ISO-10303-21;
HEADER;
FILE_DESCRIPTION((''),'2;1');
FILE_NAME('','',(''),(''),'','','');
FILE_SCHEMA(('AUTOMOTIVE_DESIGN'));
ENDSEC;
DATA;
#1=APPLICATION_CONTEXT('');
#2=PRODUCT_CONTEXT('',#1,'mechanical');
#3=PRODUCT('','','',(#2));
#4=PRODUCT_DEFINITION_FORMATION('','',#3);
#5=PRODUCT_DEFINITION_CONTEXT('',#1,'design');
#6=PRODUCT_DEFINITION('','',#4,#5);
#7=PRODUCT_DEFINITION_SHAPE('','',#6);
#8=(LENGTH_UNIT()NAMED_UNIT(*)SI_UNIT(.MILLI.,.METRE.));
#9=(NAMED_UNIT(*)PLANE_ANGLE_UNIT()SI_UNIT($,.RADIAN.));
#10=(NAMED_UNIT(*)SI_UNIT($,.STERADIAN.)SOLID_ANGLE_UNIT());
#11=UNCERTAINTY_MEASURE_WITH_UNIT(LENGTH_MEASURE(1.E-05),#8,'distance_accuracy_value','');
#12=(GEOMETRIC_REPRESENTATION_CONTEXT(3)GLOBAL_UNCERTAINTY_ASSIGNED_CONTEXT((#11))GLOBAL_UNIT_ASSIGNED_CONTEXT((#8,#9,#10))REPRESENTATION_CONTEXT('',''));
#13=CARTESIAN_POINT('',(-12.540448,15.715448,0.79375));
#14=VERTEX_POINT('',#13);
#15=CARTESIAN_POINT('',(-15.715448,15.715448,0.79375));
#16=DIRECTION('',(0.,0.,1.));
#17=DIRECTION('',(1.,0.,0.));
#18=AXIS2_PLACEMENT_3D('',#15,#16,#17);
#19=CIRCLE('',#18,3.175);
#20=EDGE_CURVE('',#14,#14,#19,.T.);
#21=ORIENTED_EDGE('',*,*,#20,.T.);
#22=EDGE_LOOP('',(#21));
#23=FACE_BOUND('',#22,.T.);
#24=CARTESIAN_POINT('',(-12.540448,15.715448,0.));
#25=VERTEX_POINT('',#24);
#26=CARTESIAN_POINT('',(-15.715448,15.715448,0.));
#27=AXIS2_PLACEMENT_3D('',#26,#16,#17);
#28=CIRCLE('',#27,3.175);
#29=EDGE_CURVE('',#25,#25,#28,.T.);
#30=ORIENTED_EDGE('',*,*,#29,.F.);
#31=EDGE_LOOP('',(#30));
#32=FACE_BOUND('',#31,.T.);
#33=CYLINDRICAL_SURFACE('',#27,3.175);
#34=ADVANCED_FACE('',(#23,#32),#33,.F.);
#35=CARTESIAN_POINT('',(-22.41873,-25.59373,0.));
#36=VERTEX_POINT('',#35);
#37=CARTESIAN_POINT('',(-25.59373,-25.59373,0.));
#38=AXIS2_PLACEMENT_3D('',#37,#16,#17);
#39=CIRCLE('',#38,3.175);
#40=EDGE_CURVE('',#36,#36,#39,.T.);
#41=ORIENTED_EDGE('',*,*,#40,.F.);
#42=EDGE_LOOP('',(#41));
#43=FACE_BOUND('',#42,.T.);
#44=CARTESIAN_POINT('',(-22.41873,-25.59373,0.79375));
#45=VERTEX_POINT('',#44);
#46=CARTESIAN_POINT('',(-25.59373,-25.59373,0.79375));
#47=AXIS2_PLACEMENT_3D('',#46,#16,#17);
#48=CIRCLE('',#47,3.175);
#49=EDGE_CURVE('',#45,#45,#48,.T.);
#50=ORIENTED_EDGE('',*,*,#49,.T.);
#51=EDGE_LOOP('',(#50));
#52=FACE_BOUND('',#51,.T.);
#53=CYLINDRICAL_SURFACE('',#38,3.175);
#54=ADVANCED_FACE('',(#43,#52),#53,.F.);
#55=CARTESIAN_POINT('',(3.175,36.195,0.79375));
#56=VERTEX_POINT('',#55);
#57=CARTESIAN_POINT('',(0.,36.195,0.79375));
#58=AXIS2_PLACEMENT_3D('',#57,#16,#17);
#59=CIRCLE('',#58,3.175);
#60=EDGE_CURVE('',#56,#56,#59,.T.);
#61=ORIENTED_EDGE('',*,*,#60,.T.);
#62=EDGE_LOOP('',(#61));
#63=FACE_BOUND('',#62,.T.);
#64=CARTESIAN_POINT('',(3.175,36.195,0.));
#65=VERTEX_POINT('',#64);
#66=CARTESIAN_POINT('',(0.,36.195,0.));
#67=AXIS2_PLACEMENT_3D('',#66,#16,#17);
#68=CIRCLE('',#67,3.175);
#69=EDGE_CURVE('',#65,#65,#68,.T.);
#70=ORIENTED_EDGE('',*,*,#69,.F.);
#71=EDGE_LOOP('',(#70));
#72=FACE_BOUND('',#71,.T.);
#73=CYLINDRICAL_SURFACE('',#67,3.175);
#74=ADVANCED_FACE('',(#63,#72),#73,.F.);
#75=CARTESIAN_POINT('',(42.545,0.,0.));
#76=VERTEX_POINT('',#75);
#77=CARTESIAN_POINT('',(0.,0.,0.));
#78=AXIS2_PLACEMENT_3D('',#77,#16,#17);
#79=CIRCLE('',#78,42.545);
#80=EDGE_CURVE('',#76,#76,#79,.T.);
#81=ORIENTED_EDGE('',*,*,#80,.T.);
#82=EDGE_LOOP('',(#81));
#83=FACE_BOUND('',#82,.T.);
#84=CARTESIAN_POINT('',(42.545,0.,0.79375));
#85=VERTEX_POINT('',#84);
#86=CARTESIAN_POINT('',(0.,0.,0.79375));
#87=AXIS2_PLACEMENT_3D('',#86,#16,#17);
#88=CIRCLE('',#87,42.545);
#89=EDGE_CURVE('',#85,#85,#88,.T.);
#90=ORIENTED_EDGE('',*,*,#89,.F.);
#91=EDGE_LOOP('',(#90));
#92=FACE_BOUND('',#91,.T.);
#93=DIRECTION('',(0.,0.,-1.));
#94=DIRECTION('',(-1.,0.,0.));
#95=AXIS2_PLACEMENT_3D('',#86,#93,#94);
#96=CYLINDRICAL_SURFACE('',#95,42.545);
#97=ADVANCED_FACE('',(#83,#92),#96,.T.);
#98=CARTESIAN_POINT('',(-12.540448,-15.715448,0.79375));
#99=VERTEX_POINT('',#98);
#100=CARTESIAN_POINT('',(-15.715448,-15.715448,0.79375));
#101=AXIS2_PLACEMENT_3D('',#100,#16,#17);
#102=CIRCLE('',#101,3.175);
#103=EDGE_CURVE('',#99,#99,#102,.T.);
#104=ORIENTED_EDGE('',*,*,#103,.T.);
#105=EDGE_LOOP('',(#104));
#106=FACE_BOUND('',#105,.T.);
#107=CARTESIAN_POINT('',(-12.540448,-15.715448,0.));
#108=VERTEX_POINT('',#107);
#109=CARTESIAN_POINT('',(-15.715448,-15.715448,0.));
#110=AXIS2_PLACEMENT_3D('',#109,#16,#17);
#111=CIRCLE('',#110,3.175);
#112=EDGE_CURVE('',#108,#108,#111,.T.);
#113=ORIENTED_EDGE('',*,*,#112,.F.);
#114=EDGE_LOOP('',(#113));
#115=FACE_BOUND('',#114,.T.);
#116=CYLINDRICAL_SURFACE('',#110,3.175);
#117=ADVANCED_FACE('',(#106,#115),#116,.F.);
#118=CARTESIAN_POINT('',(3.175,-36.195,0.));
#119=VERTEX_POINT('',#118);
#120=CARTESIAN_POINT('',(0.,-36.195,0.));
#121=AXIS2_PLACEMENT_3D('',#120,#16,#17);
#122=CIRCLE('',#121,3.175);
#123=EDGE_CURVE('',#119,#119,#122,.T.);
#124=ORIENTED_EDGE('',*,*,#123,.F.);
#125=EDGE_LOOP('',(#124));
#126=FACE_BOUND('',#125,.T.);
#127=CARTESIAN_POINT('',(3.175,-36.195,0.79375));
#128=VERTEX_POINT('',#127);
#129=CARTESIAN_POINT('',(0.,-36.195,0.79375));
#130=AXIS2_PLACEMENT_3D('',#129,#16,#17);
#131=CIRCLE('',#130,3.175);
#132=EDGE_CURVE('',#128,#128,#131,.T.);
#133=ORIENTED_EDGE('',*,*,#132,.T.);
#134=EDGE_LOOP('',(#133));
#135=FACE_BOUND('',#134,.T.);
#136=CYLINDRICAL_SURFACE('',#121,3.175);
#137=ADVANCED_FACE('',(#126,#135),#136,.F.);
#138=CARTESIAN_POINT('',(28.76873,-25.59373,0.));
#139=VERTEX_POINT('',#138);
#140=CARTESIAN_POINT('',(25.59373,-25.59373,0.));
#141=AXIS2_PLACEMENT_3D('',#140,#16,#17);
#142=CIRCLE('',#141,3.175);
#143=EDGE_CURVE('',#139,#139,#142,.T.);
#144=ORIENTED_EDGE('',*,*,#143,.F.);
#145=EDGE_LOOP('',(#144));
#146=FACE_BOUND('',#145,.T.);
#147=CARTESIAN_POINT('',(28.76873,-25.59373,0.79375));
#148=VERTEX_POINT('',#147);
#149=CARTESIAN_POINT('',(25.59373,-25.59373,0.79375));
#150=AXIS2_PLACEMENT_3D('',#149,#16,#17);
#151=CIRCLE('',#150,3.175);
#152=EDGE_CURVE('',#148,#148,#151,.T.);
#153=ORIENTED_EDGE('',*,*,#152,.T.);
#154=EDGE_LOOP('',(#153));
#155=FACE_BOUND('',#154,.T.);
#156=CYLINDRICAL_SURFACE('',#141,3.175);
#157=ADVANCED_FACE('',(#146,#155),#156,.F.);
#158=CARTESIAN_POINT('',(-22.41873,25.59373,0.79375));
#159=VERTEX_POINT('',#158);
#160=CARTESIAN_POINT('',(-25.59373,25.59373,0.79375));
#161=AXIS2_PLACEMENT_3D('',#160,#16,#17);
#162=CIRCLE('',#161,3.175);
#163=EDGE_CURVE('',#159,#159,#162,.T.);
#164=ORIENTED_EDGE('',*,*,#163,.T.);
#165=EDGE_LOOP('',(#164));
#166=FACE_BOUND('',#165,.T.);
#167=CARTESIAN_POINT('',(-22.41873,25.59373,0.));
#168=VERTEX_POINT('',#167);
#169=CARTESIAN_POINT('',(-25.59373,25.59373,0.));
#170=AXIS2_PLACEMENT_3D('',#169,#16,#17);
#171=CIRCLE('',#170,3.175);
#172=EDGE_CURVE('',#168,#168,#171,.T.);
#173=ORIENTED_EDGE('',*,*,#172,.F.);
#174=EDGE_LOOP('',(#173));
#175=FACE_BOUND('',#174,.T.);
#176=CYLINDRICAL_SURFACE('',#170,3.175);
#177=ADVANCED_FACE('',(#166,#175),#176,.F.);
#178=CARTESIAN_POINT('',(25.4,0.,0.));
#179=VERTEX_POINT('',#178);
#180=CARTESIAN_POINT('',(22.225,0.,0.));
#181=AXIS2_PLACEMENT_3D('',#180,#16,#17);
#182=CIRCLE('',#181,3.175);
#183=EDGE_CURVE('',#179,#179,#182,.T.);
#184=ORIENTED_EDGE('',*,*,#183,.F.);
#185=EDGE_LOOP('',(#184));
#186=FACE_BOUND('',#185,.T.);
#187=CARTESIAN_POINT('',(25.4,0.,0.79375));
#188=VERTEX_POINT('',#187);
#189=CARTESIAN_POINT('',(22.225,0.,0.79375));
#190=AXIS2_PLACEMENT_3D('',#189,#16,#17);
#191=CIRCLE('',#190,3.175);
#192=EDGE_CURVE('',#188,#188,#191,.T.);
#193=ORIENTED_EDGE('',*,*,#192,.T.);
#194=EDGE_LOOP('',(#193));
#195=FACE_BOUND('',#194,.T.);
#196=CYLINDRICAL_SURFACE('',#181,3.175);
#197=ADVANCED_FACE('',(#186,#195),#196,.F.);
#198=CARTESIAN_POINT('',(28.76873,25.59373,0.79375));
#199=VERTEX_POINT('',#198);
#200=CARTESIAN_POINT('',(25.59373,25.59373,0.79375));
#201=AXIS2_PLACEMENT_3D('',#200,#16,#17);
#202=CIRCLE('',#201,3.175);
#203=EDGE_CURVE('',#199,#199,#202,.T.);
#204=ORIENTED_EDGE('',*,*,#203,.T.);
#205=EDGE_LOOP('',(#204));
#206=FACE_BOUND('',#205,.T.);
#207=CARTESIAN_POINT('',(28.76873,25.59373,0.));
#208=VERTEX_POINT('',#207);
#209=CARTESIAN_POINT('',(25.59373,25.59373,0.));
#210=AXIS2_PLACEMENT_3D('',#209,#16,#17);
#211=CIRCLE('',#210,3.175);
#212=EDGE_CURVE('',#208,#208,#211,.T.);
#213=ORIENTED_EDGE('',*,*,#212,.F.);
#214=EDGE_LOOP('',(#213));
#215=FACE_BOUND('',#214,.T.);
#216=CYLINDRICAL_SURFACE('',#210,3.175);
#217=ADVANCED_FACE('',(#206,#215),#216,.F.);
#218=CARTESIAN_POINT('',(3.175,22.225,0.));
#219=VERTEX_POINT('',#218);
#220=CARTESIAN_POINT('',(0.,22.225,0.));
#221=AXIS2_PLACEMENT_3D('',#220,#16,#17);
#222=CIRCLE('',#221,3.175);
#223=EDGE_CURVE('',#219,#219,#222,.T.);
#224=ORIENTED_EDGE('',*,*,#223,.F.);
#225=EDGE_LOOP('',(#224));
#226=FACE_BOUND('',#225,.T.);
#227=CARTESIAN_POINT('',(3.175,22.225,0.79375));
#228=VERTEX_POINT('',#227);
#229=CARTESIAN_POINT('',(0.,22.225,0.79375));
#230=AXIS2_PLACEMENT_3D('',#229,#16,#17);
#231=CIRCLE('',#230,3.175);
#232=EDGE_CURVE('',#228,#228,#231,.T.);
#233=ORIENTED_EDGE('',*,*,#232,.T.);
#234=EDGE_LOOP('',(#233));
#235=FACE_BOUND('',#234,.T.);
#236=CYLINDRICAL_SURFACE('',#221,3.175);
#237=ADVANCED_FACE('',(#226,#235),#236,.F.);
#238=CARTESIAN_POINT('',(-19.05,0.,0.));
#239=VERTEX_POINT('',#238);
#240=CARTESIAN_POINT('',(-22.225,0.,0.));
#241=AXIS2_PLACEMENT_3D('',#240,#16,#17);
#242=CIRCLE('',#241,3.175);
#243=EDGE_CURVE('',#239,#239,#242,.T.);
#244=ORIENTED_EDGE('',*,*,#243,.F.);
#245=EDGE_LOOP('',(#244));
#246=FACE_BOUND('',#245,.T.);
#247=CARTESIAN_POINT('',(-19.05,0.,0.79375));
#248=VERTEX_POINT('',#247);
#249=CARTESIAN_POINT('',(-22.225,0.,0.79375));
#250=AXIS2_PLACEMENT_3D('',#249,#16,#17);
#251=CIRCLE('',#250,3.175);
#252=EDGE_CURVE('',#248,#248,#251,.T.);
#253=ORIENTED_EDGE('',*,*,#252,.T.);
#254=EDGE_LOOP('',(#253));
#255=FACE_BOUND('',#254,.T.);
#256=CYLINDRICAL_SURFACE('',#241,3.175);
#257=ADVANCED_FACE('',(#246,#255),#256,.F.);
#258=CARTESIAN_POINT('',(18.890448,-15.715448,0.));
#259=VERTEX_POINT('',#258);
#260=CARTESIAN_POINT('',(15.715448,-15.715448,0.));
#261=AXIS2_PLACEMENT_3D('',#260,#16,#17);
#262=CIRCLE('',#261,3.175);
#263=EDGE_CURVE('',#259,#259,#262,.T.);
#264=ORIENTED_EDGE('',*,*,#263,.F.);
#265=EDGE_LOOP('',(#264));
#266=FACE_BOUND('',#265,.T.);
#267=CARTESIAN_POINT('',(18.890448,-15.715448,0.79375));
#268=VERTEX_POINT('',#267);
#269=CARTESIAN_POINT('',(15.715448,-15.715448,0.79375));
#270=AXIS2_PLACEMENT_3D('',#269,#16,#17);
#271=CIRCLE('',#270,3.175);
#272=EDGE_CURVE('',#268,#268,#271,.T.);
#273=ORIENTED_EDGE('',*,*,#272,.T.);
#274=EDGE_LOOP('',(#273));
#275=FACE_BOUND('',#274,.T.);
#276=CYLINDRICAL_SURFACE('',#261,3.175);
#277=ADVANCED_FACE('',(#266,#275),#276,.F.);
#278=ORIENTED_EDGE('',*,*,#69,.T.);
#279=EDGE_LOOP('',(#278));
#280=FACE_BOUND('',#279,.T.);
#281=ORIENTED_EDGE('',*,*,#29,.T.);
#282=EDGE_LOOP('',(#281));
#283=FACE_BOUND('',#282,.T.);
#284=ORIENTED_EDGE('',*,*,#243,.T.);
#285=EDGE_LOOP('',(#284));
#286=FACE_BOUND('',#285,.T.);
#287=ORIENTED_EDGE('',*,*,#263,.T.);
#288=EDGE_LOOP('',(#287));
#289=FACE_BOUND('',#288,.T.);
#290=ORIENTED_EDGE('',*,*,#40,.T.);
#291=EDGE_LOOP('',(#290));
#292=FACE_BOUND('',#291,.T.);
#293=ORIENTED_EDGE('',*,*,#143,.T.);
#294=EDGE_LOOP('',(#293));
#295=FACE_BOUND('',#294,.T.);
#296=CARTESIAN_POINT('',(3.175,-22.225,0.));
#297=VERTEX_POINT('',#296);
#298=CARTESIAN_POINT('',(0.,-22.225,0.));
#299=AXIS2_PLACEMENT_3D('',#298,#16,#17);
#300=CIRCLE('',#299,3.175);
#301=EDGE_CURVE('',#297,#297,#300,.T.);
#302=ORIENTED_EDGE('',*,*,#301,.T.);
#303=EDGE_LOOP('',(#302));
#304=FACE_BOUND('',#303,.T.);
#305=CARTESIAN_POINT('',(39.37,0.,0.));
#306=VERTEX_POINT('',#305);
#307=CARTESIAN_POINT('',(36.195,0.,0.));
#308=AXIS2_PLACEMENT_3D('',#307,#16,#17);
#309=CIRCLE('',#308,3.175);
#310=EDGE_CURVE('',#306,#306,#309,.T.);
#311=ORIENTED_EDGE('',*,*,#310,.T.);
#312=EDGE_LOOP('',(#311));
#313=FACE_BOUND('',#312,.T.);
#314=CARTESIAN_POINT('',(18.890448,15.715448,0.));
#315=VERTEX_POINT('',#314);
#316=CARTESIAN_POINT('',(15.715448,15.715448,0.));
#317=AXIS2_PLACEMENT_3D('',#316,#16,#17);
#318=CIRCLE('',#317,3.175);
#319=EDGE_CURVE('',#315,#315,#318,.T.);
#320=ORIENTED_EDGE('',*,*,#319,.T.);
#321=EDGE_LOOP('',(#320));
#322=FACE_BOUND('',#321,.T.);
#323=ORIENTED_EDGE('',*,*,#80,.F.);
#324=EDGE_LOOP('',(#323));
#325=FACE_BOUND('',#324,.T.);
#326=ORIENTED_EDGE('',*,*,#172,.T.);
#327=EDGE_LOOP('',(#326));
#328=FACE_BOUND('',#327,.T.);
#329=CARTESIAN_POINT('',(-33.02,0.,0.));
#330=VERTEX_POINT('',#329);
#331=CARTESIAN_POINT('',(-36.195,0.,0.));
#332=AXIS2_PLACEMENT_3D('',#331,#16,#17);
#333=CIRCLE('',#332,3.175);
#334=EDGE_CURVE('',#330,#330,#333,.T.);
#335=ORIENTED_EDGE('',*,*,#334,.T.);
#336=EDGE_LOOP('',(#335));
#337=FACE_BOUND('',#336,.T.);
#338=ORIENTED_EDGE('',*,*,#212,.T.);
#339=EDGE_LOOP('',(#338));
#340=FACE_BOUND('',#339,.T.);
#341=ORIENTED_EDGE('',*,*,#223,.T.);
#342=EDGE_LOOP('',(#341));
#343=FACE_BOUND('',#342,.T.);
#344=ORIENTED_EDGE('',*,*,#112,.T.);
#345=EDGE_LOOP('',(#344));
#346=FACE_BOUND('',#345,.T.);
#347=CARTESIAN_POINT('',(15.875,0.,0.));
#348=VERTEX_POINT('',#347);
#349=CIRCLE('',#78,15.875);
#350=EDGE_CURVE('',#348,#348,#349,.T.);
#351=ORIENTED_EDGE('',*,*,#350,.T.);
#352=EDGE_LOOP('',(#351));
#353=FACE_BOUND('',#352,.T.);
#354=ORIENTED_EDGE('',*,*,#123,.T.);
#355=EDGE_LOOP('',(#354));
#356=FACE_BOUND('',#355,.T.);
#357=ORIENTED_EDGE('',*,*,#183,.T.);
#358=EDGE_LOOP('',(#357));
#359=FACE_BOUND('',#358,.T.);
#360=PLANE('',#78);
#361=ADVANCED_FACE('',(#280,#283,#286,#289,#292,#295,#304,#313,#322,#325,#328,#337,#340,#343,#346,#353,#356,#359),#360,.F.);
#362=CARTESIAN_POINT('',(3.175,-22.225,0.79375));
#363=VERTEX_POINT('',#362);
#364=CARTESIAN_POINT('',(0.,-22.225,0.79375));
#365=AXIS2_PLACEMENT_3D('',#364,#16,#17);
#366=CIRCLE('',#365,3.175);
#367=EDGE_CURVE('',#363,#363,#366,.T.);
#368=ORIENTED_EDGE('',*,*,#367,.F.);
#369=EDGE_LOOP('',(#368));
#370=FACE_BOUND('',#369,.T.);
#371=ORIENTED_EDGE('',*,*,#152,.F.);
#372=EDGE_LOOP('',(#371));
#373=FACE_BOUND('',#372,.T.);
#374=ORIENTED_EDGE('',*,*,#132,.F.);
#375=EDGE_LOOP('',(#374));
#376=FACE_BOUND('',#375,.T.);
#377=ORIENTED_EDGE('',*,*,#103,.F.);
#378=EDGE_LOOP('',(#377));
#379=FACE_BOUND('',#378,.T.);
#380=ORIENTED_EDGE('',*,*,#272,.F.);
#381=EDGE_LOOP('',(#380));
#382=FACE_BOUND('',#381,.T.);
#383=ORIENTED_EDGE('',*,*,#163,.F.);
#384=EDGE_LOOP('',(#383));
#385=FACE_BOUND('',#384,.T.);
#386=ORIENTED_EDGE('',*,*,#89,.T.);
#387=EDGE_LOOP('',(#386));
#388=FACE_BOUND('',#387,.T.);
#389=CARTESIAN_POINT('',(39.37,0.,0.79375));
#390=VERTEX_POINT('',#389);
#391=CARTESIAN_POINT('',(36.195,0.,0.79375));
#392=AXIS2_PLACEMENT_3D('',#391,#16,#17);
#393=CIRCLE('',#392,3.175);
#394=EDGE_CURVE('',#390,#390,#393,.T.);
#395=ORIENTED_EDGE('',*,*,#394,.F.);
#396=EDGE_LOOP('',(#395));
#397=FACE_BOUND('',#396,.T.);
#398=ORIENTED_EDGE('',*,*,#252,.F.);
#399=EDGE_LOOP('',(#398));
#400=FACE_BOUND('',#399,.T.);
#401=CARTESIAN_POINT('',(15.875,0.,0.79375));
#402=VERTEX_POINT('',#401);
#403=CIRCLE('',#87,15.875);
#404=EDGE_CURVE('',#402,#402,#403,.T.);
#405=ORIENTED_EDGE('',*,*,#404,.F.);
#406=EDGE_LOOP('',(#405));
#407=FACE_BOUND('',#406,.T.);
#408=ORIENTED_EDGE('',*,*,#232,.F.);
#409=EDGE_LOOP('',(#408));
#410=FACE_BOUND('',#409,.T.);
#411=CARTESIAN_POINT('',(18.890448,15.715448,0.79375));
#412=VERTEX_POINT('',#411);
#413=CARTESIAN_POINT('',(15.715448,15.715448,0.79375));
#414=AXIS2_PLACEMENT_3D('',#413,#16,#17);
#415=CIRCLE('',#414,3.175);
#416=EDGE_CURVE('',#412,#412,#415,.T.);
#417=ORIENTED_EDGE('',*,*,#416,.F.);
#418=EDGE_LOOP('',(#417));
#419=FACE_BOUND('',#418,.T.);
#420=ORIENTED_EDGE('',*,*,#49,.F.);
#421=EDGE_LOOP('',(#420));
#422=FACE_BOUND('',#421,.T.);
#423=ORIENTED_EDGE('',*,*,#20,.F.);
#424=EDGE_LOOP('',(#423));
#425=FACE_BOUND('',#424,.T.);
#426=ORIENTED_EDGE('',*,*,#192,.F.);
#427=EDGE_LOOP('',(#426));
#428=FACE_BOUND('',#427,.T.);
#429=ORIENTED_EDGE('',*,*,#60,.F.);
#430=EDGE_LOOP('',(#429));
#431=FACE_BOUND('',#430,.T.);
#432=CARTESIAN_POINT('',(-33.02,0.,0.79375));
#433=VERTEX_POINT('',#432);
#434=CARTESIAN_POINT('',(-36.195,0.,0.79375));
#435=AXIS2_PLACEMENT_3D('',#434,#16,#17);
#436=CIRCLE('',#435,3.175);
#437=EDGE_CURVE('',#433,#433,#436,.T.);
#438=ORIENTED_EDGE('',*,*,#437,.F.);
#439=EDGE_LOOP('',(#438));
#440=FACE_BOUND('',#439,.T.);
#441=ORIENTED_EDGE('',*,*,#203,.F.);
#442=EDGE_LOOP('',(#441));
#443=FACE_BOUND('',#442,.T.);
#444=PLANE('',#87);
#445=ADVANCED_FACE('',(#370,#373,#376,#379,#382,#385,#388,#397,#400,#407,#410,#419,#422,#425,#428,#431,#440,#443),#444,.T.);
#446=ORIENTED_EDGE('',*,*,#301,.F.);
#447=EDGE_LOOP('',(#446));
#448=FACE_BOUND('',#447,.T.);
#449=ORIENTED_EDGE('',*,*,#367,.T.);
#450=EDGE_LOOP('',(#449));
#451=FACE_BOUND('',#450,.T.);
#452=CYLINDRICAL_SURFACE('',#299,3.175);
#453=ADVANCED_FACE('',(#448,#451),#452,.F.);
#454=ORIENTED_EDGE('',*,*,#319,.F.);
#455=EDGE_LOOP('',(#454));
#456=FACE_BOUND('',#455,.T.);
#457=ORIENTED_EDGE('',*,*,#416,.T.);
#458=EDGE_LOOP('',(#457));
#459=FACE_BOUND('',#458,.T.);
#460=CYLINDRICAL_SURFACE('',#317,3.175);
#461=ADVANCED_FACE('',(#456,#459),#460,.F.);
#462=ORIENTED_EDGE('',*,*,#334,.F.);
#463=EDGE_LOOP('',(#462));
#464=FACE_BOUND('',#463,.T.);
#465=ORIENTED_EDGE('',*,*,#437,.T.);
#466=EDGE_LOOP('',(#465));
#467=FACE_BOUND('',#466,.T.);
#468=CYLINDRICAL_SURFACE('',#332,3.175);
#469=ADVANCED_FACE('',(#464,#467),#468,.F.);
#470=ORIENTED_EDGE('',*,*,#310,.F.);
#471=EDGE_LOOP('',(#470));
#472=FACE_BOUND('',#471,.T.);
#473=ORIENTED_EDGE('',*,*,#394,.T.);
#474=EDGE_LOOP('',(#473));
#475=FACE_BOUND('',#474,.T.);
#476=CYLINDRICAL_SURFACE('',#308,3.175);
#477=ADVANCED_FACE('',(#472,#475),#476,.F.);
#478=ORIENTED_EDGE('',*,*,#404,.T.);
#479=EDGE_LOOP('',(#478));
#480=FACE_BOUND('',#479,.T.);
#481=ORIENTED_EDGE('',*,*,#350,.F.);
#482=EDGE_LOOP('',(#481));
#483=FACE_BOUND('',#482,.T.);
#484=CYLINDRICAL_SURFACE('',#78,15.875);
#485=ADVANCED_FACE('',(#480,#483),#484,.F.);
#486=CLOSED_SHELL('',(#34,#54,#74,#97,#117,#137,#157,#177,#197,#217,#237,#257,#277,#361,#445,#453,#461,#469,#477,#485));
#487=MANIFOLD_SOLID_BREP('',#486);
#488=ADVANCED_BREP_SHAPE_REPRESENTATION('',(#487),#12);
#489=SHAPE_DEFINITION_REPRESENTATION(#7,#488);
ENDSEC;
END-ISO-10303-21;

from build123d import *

# Parameters (mm, degrees)
SKETCH4_R           = 42.545
BOSS_EXTRUDE2_DEPTH = 0.79375
SKETCH5_R           = 15.875
CUT_EXTRUDE5_DEPTH  = 1.79375
SKETCH9_R           = 3.175
CUT_EXTRUDE12_DEPTH = 1.79375


with BuildPart() as part:
    # Sketch4 → Boss-Extrude2 (new body)
    with BuildSketch(Plane.XY):
        Circle(SKETCH4_R)
    extrude(amount=BOSS_EXTRUDE2_DEPTH)

    # Sketch5 → Cut-Extrude5 (cut, through all)
    with BuildSketch(Plane.XY.offset(0.79375)):
        Circle(SKETCH5_R)
    extrude(amount=-CUT_EXTRUDE5_DEPTH, mode=Mode.SUBTRACT)

    # Sketch9 → Cut-Extrude12 (cut, through all)
    with BuildSketch(Plane.XY.offset(0.79375)):
        with Locations((22.225, 0)):
            Circle(SKETCH9_R)
        with Locations((36.195, 0)):
            Circle(SKETCH9_R)
        with Locations((15.715448212, -15.715448212)):
            Circle(SKETCH9_R)
        with Locations((25.593729945, -25.593729945)):
            Circle(SKETCH9_R)
        with Locations((0, -22.225)):
            Circle(SKETCH9_R)
        with Locations((0, -36.195)):
            Circle(SKETCH9_R)
        with Locations((-15.715448212, -15.715448212)):
            Circle(SKETCH9_R)
        with Locations((-25.593729945, -25.593729945)):
            Circle(SKETCH9_R)
        with Locations((-22.225, 0)):
            Circle(SKETCH9_R)
        with Locations((-36.195, 0)):
            Circle(SKETCH9_R)
        with Locations((-15.715448212, 15.715448212)):
            Circle(SKETCH9_R)
        with Locations((-25.593729945, 25.593729945)):
            Circle(SKETCH9_R)
        with Locations((0, 22.225)):
            Circle(SKETCH9_R)
        with Locations((0, 36.195)):
            Circle(SKETCH9_R)
        with Locations((15.715448212, 15.715448212)):
            Circle(SKETCH9_R)
        with Locations((25.593729945, 25.593729945)):
            Circle(SKETCH9_R)
    extrude(amount=-CUT_EXTRUDE12_DEPTH, mode=Mode.SUBTRACT)


solid = part.part
